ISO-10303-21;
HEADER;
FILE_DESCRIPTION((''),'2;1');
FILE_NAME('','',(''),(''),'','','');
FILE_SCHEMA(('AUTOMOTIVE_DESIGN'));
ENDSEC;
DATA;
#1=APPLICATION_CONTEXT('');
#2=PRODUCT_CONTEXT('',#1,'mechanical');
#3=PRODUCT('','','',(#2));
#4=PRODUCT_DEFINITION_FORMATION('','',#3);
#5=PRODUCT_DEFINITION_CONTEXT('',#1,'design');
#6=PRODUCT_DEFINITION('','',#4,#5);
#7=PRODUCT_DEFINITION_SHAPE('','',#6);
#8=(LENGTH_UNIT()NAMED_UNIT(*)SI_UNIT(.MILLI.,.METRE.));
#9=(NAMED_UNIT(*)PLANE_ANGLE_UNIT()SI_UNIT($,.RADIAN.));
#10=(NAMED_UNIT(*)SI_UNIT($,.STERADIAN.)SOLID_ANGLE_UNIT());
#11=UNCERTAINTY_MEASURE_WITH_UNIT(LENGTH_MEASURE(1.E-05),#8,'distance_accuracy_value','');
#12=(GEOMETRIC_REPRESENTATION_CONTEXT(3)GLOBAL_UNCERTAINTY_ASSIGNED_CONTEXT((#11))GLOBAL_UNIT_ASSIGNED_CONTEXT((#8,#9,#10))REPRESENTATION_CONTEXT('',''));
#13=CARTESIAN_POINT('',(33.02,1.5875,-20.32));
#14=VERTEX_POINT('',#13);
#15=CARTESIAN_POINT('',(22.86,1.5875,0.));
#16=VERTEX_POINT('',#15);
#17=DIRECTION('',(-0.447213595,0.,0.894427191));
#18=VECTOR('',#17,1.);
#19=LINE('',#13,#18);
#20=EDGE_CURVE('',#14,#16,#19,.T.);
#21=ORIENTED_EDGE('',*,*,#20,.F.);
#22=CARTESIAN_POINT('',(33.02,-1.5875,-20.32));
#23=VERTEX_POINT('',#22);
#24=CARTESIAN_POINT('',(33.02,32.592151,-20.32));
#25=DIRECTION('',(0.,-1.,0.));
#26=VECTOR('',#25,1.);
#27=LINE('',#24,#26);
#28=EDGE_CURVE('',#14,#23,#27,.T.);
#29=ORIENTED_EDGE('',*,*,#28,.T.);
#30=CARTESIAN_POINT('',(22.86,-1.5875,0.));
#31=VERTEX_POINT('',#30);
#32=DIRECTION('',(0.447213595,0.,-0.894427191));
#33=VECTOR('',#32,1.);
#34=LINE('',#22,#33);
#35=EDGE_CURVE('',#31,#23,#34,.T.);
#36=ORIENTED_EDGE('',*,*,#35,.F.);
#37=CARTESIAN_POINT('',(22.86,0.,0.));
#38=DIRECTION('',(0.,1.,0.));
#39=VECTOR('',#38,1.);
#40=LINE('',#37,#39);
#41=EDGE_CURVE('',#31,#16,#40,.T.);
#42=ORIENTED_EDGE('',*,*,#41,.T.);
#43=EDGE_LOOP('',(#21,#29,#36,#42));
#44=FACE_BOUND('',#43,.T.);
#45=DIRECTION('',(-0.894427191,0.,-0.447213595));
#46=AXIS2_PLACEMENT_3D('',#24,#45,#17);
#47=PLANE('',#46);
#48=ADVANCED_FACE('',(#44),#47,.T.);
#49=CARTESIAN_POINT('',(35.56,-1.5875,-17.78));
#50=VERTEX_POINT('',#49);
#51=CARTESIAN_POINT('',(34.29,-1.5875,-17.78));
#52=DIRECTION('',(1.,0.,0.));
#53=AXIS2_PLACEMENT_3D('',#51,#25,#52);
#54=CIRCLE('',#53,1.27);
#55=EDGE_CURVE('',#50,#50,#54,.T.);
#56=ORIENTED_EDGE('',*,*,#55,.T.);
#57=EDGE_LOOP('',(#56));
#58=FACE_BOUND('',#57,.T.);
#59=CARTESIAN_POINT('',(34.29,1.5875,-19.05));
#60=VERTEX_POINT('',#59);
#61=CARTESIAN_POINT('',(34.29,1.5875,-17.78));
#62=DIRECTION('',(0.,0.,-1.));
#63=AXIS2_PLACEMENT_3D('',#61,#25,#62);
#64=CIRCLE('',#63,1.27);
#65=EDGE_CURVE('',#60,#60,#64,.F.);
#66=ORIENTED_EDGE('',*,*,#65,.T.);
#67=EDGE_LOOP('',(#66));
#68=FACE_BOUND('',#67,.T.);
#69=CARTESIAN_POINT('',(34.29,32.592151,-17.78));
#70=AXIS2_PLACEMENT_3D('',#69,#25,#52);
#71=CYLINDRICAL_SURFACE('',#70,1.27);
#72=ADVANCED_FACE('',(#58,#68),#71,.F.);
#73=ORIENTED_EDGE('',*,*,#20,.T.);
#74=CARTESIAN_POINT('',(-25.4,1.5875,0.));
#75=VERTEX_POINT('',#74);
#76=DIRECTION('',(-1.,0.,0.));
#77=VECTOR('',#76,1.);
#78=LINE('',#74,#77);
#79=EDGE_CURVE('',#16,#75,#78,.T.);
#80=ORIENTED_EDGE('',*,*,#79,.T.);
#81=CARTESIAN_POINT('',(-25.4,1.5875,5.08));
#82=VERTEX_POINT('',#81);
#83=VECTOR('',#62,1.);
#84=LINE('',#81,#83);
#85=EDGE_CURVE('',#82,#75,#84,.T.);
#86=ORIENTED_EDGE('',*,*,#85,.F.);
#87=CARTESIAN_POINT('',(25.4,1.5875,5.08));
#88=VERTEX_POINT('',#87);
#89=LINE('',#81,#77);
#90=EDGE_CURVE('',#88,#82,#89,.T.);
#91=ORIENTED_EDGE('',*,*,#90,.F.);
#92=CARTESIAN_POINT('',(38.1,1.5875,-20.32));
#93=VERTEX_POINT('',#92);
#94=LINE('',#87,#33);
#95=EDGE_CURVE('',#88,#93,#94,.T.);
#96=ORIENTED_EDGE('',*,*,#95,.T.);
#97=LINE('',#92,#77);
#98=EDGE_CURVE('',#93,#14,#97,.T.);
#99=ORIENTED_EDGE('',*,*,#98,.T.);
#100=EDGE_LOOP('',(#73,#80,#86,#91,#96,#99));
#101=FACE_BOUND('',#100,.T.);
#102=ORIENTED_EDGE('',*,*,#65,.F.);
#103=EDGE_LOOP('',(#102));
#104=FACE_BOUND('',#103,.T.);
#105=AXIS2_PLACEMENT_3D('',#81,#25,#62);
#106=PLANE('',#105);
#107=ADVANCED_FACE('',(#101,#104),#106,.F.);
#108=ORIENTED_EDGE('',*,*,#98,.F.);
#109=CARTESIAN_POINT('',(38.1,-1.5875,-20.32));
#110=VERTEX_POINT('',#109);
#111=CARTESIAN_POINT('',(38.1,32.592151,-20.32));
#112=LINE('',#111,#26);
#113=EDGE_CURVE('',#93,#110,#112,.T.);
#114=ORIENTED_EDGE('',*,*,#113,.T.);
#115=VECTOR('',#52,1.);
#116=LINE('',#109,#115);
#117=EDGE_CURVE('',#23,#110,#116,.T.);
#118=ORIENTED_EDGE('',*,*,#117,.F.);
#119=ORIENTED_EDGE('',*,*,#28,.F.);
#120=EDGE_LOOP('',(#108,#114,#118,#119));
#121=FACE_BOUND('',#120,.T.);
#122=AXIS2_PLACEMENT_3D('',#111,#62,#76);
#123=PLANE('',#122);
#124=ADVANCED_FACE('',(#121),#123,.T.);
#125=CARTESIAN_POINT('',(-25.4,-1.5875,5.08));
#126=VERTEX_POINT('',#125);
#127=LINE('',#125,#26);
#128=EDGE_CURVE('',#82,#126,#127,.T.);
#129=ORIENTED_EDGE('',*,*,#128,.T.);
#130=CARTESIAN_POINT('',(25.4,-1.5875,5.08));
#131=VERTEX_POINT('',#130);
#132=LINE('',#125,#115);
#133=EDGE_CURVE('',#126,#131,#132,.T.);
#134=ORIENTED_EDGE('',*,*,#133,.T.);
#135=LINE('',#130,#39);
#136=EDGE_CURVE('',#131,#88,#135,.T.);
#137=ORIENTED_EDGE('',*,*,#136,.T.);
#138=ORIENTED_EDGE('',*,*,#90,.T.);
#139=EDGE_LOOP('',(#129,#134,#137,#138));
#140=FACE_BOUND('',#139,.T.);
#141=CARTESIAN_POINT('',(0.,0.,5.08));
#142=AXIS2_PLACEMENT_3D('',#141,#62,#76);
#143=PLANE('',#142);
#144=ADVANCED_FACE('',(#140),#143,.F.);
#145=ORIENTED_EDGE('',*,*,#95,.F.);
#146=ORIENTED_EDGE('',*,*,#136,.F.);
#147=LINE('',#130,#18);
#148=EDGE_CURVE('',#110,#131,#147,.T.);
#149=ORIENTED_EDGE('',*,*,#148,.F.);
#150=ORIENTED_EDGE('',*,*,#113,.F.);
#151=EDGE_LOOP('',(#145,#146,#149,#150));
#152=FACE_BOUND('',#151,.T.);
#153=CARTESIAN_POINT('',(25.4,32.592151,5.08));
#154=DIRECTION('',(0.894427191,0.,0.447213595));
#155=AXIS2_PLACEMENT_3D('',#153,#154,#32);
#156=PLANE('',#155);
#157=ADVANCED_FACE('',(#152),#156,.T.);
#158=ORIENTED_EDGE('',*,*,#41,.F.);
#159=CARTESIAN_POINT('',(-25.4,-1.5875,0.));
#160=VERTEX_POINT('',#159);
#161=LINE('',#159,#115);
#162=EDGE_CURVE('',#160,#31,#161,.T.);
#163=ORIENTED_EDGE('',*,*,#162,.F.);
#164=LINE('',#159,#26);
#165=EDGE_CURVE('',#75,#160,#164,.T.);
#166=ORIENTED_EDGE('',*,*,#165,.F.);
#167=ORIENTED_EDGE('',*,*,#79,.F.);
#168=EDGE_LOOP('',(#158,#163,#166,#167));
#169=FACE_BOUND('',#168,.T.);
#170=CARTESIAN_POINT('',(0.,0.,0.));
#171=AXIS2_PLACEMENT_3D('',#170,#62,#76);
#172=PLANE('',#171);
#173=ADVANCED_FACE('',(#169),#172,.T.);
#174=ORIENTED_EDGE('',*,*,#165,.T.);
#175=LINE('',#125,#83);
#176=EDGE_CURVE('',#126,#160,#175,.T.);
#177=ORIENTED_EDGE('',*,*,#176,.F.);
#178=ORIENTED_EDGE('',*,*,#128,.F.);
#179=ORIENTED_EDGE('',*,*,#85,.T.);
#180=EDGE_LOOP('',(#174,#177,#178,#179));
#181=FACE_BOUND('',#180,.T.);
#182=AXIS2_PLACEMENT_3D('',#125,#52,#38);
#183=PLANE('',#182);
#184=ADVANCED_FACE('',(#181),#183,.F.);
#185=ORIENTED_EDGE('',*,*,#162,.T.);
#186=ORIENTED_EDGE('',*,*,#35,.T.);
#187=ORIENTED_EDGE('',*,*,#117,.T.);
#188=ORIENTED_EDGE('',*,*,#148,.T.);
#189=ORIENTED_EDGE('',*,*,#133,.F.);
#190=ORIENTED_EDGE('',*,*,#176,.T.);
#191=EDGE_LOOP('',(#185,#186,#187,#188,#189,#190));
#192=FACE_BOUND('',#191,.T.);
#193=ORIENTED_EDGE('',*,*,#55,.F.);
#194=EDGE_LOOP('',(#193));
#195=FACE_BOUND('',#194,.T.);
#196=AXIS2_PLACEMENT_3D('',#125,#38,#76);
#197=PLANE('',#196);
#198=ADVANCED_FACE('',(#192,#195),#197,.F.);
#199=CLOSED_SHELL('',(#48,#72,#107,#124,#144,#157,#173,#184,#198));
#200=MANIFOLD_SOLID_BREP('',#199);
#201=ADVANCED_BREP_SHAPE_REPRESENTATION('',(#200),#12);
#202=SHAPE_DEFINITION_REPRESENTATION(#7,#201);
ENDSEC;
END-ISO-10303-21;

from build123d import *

# Parameters (mm, degrees)
SKETCH1_W           = 50.8
SKETCH1_H           = 3.175
BOSS_EXTRUDE1_DEPTH = 5.08
SKETCH2_R           = 1.27
BOSS_EXTRUDE2_DEPTH = 3.175


with BuildPart() as part:
    # Sketch1 → Boss-Extrude1 (new body)
    with BuildSketch(Plane.XY):
        Rectangle(SKETCH1_W, SKETCH1_H)
    extrude(amount=BOSS_EXTRUDE1_DEPTH)

    # Sketch2 → Boss-Extrude2 (add)
    with BuildSketch(Plane(origin=(0, -1.5875, 0), x_dir=(-1, 0, 0), z_dir=(0, -1, 0))):
        Polygon((-25.4, -5.08), (-38.1, 20.32), (-33.02, 20.32), (-20.32, -5.08), align=None)
        with Locations(Location((-34.29, 17.78, 0), (0, 0, 180))):
            Circle(SKETCH2_R, mode=Mode.SUBTRACT)
    extrude(amount=-BOSS_EXTRUDE2_DEPTH)


solid = part.part
